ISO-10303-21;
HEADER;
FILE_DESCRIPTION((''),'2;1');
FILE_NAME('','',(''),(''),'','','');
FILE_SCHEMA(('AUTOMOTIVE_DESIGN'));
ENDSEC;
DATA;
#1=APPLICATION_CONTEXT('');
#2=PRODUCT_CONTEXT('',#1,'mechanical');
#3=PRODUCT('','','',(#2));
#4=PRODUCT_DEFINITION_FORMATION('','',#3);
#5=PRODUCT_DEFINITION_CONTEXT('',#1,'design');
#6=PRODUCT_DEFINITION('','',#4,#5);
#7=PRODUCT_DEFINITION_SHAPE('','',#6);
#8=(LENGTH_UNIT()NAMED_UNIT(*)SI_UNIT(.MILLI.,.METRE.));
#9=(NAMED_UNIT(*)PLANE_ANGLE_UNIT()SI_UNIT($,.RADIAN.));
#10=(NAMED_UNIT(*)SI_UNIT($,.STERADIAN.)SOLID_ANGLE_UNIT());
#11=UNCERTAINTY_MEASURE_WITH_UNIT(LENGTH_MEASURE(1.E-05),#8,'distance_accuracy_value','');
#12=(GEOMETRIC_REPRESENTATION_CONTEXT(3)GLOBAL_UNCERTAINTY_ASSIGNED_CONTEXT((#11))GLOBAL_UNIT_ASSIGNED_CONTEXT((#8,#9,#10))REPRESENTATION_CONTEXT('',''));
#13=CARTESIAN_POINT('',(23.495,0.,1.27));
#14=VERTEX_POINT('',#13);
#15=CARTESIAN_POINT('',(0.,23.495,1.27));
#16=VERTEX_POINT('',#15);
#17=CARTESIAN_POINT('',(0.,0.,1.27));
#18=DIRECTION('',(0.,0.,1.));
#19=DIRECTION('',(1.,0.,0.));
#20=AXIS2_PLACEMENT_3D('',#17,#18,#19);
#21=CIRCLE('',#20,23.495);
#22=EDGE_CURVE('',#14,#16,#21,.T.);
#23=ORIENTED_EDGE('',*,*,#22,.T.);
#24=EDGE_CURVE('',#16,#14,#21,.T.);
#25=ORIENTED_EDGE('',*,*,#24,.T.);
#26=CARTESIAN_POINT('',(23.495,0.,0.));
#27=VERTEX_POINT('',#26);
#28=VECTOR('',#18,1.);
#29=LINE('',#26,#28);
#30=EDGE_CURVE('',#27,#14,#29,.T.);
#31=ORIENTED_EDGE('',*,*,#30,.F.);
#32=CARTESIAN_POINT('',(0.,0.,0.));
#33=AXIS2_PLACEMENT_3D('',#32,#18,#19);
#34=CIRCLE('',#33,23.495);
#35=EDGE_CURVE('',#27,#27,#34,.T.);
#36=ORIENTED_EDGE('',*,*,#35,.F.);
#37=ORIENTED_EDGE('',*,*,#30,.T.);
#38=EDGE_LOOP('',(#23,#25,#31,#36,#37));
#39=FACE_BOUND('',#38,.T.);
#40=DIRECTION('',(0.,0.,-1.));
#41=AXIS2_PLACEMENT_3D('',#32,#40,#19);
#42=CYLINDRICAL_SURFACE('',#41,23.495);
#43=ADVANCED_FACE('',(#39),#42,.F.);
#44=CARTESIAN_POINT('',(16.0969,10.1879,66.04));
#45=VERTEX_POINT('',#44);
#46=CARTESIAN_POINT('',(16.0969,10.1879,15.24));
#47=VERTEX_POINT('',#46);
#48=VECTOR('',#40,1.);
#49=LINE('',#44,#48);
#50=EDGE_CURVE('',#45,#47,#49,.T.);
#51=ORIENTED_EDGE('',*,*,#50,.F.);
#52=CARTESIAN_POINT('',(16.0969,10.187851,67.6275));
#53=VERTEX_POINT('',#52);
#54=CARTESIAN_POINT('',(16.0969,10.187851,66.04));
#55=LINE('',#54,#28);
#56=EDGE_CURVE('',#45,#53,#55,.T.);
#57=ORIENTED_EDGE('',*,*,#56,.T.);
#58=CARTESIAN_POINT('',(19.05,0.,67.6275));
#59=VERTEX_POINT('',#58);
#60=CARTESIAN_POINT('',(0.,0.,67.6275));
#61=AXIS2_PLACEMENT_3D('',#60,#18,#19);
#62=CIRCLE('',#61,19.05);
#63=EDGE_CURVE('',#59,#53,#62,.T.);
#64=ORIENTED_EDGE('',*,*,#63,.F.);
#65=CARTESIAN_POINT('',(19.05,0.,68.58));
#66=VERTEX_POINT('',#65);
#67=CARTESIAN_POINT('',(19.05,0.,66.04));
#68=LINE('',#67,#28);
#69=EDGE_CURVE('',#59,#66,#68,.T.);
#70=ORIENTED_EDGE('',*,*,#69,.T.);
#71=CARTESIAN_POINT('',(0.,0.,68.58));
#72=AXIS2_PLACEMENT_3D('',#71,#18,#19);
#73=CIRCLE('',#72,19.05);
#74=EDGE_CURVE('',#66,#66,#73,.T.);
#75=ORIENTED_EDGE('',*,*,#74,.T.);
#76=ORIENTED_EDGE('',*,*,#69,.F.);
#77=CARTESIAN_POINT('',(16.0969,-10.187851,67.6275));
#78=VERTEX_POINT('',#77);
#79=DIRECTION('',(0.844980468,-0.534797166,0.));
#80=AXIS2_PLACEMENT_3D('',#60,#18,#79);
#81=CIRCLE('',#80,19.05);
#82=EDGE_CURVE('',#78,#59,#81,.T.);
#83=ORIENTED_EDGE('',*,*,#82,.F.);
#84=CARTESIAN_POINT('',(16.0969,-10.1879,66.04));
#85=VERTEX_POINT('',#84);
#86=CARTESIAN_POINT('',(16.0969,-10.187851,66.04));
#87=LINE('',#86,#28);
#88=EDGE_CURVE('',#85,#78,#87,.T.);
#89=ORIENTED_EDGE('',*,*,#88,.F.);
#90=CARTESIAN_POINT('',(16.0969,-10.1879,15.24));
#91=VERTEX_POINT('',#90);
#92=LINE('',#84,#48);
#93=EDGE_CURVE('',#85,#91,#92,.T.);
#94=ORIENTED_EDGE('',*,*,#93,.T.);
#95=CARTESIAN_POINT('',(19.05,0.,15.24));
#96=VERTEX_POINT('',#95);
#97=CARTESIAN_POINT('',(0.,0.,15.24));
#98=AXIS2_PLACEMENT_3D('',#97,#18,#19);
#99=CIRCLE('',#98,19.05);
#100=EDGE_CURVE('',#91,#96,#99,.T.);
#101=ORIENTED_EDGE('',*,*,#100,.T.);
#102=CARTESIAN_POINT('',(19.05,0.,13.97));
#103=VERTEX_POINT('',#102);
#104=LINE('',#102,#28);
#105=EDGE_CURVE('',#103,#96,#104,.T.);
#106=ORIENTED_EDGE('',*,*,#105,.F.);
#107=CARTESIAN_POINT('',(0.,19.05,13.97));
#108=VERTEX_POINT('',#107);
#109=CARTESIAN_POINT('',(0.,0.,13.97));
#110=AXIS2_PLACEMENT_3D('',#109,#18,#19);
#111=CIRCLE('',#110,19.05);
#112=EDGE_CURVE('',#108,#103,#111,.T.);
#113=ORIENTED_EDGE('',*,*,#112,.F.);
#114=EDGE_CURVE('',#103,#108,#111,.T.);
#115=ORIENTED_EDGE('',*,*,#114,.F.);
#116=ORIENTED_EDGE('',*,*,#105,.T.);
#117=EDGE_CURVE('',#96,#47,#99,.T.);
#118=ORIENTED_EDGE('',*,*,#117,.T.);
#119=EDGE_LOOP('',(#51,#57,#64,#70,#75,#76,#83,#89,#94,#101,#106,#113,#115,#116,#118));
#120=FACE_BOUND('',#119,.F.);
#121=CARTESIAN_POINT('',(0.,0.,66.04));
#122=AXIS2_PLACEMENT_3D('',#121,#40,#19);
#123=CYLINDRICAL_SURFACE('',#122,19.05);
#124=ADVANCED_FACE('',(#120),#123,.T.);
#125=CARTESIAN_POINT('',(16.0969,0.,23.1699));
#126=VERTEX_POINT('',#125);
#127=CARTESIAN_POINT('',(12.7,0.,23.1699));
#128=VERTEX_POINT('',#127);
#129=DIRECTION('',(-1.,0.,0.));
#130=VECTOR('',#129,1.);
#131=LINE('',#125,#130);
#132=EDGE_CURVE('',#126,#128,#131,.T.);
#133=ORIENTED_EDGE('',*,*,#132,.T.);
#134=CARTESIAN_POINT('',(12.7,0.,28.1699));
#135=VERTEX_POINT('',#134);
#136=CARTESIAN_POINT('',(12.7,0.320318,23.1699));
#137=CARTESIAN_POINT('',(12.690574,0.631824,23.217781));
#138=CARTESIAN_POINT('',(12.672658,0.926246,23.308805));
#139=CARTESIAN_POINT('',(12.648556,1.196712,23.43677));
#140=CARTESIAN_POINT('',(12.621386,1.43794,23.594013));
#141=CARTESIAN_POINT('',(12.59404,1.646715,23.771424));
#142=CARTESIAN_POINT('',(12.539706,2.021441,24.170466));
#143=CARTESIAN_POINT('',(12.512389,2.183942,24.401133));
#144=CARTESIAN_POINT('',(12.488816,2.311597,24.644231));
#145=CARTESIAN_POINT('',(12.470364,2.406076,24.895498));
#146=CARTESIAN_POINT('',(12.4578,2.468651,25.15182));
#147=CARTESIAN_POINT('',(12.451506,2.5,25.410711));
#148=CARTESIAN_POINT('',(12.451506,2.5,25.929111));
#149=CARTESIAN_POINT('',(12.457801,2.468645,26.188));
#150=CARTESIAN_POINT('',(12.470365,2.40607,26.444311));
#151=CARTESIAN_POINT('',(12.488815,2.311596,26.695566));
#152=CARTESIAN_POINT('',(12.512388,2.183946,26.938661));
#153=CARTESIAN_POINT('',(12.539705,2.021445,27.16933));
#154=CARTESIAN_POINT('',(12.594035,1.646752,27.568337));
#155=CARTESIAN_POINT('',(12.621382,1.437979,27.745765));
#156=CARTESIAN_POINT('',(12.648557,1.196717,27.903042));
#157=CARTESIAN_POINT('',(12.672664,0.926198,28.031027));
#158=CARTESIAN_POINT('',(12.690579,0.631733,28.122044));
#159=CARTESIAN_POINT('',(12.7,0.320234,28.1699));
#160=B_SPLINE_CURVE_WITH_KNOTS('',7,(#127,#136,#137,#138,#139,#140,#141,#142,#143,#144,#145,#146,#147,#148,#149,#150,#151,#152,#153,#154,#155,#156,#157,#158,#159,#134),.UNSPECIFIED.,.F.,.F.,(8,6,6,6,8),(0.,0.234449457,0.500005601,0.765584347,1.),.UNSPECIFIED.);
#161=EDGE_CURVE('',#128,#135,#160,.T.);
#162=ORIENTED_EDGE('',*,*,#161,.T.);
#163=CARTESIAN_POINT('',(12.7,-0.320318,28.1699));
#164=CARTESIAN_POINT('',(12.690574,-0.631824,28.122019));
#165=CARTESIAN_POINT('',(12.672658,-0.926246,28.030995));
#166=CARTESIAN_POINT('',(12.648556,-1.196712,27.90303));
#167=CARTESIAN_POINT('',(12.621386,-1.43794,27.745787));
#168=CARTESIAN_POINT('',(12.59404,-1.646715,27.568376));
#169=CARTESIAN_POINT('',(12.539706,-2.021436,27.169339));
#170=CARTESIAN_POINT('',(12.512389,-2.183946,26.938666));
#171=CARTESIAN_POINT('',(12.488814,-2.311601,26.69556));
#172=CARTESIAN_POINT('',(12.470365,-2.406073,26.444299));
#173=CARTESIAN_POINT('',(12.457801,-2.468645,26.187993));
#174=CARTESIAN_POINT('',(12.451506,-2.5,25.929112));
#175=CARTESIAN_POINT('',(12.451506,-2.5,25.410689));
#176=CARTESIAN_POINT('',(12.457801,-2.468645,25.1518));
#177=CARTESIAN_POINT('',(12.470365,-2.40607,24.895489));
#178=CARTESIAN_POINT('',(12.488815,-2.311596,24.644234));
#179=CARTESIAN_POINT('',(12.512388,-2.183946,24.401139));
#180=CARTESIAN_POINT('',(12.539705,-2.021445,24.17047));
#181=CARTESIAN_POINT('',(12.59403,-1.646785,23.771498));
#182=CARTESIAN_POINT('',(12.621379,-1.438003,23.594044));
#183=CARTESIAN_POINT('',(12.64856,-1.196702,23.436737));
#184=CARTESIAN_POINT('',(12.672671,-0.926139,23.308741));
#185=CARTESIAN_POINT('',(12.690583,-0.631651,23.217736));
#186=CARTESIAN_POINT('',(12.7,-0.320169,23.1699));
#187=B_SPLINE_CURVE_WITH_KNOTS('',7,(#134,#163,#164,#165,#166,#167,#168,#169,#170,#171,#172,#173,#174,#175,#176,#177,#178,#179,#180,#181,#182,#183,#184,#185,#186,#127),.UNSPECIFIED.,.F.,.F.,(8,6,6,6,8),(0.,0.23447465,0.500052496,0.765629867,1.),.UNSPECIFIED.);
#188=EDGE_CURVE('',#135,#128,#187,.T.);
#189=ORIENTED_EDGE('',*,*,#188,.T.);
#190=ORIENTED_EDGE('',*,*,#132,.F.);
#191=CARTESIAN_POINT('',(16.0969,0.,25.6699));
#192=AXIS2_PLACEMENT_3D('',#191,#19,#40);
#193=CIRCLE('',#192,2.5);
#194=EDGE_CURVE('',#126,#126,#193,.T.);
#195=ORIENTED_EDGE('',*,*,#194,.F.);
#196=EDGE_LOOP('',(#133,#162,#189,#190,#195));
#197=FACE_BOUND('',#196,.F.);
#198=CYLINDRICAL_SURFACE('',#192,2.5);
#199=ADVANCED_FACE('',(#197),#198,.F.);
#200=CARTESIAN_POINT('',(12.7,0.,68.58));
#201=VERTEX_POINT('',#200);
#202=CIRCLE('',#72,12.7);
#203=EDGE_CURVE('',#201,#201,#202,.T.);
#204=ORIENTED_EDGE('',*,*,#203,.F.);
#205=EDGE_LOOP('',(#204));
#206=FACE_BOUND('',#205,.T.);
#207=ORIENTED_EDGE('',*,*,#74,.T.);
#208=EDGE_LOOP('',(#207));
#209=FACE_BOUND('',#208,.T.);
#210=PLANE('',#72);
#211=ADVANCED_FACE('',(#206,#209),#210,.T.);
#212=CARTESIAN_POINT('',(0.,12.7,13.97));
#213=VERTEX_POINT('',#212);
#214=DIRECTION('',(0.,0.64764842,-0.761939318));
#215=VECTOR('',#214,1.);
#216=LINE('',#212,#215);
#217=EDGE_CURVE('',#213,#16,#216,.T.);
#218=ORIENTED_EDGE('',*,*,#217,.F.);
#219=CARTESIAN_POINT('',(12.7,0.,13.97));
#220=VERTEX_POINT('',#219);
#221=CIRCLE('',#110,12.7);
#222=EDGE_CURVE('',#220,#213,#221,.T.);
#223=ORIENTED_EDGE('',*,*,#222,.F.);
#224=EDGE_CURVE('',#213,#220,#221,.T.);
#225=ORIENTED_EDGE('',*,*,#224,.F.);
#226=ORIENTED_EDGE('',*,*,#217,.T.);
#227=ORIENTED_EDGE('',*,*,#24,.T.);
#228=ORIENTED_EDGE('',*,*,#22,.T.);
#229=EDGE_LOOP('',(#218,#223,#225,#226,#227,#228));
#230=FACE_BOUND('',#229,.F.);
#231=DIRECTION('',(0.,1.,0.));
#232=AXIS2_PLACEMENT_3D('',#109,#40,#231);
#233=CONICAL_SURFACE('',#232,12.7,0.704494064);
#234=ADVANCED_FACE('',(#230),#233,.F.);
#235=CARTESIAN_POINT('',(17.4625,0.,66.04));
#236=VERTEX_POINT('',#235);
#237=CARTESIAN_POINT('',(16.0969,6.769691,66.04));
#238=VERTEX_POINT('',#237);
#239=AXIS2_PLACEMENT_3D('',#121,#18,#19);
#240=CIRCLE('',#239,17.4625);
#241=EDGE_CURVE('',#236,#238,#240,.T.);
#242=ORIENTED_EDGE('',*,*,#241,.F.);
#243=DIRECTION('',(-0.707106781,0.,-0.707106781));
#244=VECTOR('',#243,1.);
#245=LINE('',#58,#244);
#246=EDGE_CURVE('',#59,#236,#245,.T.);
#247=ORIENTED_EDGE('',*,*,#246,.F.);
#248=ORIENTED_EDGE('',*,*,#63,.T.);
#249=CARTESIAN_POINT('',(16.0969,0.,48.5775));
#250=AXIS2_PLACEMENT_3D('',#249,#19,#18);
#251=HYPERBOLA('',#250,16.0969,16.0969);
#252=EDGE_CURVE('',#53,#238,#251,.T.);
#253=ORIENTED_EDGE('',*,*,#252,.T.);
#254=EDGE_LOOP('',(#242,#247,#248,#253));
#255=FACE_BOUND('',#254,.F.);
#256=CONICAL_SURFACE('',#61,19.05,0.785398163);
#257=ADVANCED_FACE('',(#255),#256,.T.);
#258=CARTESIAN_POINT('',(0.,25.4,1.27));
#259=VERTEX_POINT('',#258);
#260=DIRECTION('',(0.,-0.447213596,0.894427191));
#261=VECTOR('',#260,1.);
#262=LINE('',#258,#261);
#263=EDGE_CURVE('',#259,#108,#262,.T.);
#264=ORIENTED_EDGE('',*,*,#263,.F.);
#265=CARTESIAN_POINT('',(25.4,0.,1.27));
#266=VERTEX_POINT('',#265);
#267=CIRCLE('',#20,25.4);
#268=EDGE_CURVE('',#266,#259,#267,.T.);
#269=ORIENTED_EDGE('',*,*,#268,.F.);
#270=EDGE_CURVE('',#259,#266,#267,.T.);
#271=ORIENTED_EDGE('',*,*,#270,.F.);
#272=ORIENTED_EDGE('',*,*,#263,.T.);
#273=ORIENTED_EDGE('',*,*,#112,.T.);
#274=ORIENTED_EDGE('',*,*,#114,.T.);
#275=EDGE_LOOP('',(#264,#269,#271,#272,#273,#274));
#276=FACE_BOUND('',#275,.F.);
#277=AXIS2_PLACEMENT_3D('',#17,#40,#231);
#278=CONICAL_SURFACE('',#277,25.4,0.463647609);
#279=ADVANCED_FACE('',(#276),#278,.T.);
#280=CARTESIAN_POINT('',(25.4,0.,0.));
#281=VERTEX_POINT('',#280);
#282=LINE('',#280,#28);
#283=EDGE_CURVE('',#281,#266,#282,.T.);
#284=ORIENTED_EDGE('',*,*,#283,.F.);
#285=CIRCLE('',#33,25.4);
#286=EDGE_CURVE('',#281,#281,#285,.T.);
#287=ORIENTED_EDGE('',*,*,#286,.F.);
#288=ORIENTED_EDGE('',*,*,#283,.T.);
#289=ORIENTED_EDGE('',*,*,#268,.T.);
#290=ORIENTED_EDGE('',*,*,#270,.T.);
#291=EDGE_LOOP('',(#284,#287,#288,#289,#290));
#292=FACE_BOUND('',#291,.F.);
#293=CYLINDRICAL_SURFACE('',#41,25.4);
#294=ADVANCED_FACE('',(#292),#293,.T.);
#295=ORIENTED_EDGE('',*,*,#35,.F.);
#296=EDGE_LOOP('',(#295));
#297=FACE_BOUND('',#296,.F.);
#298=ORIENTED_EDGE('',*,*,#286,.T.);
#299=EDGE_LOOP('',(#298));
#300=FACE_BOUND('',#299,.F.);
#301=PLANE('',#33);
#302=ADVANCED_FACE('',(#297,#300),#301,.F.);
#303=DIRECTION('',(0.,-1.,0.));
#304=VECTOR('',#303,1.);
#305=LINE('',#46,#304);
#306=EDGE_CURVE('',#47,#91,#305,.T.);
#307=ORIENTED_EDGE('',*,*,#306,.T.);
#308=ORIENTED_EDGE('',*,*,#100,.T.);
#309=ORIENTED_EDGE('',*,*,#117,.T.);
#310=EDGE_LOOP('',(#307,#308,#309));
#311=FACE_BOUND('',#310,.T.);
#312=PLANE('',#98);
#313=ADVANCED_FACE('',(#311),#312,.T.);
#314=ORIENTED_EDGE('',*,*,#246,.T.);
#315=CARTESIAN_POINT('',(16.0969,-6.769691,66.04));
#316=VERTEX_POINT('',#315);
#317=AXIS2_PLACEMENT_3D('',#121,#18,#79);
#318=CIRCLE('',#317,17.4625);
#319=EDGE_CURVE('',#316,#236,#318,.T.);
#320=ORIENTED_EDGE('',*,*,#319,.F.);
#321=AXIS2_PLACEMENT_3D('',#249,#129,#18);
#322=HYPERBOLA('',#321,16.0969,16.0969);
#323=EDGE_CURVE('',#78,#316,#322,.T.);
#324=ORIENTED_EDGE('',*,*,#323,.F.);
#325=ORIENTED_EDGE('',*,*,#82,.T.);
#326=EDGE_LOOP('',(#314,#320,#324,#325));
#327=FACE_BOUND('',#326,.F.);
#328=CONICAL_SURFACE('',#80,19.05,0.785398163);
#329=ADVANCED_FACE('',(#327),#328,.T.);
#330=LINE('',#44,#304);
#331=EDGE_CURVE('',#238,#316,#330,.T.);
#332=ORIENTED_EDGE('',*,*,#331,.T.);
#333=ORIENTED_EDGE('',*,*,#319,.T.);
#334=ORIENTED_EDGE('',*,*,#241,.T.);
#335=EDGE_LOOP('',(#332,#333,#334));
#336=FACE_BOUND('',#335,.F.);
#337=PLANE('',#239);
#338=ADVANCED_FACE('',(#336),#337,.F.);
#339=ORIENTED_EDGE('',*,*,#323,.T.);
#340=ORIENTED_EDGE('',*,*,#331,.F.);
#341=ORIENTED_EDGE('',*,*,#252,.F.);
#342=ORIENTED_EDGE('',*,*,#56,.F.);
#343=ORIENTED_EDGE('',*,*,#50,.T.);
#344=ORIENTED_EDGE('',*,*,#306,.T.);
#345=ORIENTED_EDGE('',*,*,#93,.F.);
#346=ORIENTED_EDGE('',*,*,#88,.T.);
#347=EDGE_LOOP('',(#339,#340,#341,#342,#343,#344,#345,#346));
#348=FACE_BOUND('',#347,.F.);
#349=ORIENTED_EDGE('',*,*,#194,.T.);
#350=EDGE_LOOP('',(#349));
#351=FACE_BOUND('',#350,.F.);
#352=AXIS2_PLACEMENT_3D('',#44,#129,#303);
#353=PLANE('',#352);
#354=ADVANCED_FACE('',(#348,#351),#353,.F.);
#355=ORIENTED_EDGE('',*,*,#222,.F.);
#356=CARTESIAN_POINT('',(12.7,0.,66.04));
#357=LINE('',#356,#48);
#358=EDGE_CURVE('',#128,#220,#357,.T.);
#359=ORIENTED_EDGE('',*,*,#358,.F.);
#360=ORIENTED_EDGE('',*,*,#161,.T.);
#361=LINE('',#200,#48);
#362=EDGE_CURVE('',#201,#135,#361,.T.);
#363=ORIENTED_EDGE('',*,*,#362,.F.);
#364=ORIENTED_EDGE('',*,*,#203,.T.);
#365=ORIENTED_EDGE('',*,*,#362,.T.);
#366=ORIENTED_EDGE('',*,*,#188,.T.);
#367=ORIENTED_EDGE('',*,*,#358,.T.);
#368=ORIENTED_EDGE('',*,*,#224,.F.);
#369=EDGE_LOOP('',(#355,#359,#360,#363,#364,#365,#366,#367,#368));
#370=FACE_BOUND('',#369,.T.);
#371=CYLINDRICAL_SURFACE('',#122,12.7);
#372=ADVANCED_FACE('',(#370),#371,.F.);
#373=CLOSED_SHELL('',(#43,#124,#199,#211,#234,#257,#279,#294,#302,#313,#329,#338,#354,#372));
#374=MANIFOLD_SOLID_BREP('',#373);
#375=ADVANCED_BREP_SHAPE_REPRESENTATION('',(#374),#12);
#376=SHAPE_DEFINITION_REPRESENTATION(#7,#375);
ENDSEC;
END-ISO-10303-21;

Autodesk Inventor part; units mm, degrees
ref_plane "YZ Plane" through (0, 0, 0) normal (1, 0, 0) x (0, 1, 0)
ref_plane "XZ Plane" through (0, 0, 0) normal (0, 1, 0) x (-1, 0, 0)
ref_plane "XY Plane" through (0, 0, 0) normal (0, 0, 1) x (1, 0, 0)
sketch "Sketch1" plane through (0, 0, 0) normal (0, 0, 1) x (1, 0, 0)
  circle A0 centre (0, 0) radius 23.495
  circle A1 centre (0, 0) radius 25.4
  dimension "d4" = 46.99
  dimension "d5" = 50.8
extrude "Extrusion1" add sketch "Sketch1" along normal blind 1.27
ref_plane "Work Plane1" through (0, 0, 13.97) normal (0, 0, 1) x (1, 0, 0)
sketch "Sketch2" plane through (0, 0, 13.97) normal (0, 0, 1) x (1, 0, 0)
  circle A0 centre (0, 0) radius 19.05
  circle A1 centre (0, 0) radius 12.7
  dimension "d9" = 38.1
  dimension "d10" = 25.4
sketch "Sketch3" plane through (0, 0, 13.97) normal (0, 0, 1) x (1, 0, 0)
  circle A0 centre (0, 0) radius 10.795 projected
  line L0 (0, 10.795) -> (0, 7.0011) construction
ref_plane "Work Plane2" through (0, 10.795, 13.97) normal (1, 0, 0) x (0, -1, 0)
ref_plane "Work Plane3" through (0, 0, 15.24) normal (0, 0, 1) x (1, 0, 0)
sketch "Sketch5" plane through (0, 0, 15.24) normal (0, 0, 1) x (1, 0, 0)
  circle A0 centre (0, 0) radius 12.7
  circle A1 centre (0, 0) radius 19.05
  dimension "d20" = 38.1
  dimension "d21" = 25.4
extrude "Extrusion3" add sketch "Sketch5" along normal blind 50.8
sketch "Sketch6" plane through (0, 10.795, 13.97) normal (1, 0, 0) x (0, -1, 0)
  point P0 (10.795, 13.97)
extrude "Extrusion4" add sketch "Sketch2" along normal blind 1.27
sketch "Sketch7" plane through (0, 10.795, 13.97) normal (1, 0, 0) x (0, -1, 0)
  line L0 (-14.605, 12.7) -> (36.195, 12.7) projected
  line L1 (29.845, 0) -> (-8.255, 0) projected
  line L2 (-14.605, 12.7) -> (-8.255, 0)
  line L3 (-1.905, 0) -> (23.495, 0) projected
  line L4 (-8.255, 0) -> (-1.905, 0)
  line L5 (34.29, 12.7) -> (-12.7, 12.7) projected
  line L6 (-1.905, 0) -> (-12.7, 12.7)
  line L7 (-12.7, 12.7) -> (-14.605, 12.7)
  line L8 (10.795, 0) -> (10.795, 4.3567) construction
  point P0 (10.795, 13.97)
revolve "Revolution2" add sketch "Sketch7" angle 360 about axis through (0, 0, 13.97) along (0, 0, -1)
sketch "Sketch8" plane through (0, 10.795, 13.97) normal (1, 0, 0) x (0, -1, 0)
  point P0 (10.795, 13.97)
sketch "Sketch9" plane through (0, 0, 66.04) normal (0, 0, 1) x (1, 0, 0)
  circle A0 centre (0, 0) radius 19.05 projected
  line L0 (16.0969, 10.1879) -> (16.0969, -10.1879)
  arc A1 (16.0969, -10.1879) -> (16.0969, 10.1879) centre (0, 0) ccw
extrude "Extrusion5" cut sketch "Sketch9" against normal blind 50.8 contours A0 L0 picked at (16.6372, -2.3328)
sketch "Sketch10" plane through (16.0969, -10.1879, 66.04) normal (1, 0, 0) x (0, 0, -1)
  circle A0 centre (40.3701, 10.1879) radius 2.5
  point P0 (66.04, 10.1879)
  dimension "d24" = 5
extrude "Extrusion6" cut sketch "Sketch10" against normal blind 12.7
sketch "Sketch11" plane through (0, 0, 66.04) normal (0, 0, 1) x (1, 0, 0)
  circle A0 centre (0, 0) radius 19.05
  circle A1 centre (0, 0) radius 12.7
extrude "Extrusion7" add sketch "Sketch11" along normal blind 2.54
chamfer "Chamfer1" distance 1.5875 angle 45 2 edges at (18.2968, 5.3036, 66.04) (18.2968, -5.3036, 66.04)
properties part number "uvlight holder"
